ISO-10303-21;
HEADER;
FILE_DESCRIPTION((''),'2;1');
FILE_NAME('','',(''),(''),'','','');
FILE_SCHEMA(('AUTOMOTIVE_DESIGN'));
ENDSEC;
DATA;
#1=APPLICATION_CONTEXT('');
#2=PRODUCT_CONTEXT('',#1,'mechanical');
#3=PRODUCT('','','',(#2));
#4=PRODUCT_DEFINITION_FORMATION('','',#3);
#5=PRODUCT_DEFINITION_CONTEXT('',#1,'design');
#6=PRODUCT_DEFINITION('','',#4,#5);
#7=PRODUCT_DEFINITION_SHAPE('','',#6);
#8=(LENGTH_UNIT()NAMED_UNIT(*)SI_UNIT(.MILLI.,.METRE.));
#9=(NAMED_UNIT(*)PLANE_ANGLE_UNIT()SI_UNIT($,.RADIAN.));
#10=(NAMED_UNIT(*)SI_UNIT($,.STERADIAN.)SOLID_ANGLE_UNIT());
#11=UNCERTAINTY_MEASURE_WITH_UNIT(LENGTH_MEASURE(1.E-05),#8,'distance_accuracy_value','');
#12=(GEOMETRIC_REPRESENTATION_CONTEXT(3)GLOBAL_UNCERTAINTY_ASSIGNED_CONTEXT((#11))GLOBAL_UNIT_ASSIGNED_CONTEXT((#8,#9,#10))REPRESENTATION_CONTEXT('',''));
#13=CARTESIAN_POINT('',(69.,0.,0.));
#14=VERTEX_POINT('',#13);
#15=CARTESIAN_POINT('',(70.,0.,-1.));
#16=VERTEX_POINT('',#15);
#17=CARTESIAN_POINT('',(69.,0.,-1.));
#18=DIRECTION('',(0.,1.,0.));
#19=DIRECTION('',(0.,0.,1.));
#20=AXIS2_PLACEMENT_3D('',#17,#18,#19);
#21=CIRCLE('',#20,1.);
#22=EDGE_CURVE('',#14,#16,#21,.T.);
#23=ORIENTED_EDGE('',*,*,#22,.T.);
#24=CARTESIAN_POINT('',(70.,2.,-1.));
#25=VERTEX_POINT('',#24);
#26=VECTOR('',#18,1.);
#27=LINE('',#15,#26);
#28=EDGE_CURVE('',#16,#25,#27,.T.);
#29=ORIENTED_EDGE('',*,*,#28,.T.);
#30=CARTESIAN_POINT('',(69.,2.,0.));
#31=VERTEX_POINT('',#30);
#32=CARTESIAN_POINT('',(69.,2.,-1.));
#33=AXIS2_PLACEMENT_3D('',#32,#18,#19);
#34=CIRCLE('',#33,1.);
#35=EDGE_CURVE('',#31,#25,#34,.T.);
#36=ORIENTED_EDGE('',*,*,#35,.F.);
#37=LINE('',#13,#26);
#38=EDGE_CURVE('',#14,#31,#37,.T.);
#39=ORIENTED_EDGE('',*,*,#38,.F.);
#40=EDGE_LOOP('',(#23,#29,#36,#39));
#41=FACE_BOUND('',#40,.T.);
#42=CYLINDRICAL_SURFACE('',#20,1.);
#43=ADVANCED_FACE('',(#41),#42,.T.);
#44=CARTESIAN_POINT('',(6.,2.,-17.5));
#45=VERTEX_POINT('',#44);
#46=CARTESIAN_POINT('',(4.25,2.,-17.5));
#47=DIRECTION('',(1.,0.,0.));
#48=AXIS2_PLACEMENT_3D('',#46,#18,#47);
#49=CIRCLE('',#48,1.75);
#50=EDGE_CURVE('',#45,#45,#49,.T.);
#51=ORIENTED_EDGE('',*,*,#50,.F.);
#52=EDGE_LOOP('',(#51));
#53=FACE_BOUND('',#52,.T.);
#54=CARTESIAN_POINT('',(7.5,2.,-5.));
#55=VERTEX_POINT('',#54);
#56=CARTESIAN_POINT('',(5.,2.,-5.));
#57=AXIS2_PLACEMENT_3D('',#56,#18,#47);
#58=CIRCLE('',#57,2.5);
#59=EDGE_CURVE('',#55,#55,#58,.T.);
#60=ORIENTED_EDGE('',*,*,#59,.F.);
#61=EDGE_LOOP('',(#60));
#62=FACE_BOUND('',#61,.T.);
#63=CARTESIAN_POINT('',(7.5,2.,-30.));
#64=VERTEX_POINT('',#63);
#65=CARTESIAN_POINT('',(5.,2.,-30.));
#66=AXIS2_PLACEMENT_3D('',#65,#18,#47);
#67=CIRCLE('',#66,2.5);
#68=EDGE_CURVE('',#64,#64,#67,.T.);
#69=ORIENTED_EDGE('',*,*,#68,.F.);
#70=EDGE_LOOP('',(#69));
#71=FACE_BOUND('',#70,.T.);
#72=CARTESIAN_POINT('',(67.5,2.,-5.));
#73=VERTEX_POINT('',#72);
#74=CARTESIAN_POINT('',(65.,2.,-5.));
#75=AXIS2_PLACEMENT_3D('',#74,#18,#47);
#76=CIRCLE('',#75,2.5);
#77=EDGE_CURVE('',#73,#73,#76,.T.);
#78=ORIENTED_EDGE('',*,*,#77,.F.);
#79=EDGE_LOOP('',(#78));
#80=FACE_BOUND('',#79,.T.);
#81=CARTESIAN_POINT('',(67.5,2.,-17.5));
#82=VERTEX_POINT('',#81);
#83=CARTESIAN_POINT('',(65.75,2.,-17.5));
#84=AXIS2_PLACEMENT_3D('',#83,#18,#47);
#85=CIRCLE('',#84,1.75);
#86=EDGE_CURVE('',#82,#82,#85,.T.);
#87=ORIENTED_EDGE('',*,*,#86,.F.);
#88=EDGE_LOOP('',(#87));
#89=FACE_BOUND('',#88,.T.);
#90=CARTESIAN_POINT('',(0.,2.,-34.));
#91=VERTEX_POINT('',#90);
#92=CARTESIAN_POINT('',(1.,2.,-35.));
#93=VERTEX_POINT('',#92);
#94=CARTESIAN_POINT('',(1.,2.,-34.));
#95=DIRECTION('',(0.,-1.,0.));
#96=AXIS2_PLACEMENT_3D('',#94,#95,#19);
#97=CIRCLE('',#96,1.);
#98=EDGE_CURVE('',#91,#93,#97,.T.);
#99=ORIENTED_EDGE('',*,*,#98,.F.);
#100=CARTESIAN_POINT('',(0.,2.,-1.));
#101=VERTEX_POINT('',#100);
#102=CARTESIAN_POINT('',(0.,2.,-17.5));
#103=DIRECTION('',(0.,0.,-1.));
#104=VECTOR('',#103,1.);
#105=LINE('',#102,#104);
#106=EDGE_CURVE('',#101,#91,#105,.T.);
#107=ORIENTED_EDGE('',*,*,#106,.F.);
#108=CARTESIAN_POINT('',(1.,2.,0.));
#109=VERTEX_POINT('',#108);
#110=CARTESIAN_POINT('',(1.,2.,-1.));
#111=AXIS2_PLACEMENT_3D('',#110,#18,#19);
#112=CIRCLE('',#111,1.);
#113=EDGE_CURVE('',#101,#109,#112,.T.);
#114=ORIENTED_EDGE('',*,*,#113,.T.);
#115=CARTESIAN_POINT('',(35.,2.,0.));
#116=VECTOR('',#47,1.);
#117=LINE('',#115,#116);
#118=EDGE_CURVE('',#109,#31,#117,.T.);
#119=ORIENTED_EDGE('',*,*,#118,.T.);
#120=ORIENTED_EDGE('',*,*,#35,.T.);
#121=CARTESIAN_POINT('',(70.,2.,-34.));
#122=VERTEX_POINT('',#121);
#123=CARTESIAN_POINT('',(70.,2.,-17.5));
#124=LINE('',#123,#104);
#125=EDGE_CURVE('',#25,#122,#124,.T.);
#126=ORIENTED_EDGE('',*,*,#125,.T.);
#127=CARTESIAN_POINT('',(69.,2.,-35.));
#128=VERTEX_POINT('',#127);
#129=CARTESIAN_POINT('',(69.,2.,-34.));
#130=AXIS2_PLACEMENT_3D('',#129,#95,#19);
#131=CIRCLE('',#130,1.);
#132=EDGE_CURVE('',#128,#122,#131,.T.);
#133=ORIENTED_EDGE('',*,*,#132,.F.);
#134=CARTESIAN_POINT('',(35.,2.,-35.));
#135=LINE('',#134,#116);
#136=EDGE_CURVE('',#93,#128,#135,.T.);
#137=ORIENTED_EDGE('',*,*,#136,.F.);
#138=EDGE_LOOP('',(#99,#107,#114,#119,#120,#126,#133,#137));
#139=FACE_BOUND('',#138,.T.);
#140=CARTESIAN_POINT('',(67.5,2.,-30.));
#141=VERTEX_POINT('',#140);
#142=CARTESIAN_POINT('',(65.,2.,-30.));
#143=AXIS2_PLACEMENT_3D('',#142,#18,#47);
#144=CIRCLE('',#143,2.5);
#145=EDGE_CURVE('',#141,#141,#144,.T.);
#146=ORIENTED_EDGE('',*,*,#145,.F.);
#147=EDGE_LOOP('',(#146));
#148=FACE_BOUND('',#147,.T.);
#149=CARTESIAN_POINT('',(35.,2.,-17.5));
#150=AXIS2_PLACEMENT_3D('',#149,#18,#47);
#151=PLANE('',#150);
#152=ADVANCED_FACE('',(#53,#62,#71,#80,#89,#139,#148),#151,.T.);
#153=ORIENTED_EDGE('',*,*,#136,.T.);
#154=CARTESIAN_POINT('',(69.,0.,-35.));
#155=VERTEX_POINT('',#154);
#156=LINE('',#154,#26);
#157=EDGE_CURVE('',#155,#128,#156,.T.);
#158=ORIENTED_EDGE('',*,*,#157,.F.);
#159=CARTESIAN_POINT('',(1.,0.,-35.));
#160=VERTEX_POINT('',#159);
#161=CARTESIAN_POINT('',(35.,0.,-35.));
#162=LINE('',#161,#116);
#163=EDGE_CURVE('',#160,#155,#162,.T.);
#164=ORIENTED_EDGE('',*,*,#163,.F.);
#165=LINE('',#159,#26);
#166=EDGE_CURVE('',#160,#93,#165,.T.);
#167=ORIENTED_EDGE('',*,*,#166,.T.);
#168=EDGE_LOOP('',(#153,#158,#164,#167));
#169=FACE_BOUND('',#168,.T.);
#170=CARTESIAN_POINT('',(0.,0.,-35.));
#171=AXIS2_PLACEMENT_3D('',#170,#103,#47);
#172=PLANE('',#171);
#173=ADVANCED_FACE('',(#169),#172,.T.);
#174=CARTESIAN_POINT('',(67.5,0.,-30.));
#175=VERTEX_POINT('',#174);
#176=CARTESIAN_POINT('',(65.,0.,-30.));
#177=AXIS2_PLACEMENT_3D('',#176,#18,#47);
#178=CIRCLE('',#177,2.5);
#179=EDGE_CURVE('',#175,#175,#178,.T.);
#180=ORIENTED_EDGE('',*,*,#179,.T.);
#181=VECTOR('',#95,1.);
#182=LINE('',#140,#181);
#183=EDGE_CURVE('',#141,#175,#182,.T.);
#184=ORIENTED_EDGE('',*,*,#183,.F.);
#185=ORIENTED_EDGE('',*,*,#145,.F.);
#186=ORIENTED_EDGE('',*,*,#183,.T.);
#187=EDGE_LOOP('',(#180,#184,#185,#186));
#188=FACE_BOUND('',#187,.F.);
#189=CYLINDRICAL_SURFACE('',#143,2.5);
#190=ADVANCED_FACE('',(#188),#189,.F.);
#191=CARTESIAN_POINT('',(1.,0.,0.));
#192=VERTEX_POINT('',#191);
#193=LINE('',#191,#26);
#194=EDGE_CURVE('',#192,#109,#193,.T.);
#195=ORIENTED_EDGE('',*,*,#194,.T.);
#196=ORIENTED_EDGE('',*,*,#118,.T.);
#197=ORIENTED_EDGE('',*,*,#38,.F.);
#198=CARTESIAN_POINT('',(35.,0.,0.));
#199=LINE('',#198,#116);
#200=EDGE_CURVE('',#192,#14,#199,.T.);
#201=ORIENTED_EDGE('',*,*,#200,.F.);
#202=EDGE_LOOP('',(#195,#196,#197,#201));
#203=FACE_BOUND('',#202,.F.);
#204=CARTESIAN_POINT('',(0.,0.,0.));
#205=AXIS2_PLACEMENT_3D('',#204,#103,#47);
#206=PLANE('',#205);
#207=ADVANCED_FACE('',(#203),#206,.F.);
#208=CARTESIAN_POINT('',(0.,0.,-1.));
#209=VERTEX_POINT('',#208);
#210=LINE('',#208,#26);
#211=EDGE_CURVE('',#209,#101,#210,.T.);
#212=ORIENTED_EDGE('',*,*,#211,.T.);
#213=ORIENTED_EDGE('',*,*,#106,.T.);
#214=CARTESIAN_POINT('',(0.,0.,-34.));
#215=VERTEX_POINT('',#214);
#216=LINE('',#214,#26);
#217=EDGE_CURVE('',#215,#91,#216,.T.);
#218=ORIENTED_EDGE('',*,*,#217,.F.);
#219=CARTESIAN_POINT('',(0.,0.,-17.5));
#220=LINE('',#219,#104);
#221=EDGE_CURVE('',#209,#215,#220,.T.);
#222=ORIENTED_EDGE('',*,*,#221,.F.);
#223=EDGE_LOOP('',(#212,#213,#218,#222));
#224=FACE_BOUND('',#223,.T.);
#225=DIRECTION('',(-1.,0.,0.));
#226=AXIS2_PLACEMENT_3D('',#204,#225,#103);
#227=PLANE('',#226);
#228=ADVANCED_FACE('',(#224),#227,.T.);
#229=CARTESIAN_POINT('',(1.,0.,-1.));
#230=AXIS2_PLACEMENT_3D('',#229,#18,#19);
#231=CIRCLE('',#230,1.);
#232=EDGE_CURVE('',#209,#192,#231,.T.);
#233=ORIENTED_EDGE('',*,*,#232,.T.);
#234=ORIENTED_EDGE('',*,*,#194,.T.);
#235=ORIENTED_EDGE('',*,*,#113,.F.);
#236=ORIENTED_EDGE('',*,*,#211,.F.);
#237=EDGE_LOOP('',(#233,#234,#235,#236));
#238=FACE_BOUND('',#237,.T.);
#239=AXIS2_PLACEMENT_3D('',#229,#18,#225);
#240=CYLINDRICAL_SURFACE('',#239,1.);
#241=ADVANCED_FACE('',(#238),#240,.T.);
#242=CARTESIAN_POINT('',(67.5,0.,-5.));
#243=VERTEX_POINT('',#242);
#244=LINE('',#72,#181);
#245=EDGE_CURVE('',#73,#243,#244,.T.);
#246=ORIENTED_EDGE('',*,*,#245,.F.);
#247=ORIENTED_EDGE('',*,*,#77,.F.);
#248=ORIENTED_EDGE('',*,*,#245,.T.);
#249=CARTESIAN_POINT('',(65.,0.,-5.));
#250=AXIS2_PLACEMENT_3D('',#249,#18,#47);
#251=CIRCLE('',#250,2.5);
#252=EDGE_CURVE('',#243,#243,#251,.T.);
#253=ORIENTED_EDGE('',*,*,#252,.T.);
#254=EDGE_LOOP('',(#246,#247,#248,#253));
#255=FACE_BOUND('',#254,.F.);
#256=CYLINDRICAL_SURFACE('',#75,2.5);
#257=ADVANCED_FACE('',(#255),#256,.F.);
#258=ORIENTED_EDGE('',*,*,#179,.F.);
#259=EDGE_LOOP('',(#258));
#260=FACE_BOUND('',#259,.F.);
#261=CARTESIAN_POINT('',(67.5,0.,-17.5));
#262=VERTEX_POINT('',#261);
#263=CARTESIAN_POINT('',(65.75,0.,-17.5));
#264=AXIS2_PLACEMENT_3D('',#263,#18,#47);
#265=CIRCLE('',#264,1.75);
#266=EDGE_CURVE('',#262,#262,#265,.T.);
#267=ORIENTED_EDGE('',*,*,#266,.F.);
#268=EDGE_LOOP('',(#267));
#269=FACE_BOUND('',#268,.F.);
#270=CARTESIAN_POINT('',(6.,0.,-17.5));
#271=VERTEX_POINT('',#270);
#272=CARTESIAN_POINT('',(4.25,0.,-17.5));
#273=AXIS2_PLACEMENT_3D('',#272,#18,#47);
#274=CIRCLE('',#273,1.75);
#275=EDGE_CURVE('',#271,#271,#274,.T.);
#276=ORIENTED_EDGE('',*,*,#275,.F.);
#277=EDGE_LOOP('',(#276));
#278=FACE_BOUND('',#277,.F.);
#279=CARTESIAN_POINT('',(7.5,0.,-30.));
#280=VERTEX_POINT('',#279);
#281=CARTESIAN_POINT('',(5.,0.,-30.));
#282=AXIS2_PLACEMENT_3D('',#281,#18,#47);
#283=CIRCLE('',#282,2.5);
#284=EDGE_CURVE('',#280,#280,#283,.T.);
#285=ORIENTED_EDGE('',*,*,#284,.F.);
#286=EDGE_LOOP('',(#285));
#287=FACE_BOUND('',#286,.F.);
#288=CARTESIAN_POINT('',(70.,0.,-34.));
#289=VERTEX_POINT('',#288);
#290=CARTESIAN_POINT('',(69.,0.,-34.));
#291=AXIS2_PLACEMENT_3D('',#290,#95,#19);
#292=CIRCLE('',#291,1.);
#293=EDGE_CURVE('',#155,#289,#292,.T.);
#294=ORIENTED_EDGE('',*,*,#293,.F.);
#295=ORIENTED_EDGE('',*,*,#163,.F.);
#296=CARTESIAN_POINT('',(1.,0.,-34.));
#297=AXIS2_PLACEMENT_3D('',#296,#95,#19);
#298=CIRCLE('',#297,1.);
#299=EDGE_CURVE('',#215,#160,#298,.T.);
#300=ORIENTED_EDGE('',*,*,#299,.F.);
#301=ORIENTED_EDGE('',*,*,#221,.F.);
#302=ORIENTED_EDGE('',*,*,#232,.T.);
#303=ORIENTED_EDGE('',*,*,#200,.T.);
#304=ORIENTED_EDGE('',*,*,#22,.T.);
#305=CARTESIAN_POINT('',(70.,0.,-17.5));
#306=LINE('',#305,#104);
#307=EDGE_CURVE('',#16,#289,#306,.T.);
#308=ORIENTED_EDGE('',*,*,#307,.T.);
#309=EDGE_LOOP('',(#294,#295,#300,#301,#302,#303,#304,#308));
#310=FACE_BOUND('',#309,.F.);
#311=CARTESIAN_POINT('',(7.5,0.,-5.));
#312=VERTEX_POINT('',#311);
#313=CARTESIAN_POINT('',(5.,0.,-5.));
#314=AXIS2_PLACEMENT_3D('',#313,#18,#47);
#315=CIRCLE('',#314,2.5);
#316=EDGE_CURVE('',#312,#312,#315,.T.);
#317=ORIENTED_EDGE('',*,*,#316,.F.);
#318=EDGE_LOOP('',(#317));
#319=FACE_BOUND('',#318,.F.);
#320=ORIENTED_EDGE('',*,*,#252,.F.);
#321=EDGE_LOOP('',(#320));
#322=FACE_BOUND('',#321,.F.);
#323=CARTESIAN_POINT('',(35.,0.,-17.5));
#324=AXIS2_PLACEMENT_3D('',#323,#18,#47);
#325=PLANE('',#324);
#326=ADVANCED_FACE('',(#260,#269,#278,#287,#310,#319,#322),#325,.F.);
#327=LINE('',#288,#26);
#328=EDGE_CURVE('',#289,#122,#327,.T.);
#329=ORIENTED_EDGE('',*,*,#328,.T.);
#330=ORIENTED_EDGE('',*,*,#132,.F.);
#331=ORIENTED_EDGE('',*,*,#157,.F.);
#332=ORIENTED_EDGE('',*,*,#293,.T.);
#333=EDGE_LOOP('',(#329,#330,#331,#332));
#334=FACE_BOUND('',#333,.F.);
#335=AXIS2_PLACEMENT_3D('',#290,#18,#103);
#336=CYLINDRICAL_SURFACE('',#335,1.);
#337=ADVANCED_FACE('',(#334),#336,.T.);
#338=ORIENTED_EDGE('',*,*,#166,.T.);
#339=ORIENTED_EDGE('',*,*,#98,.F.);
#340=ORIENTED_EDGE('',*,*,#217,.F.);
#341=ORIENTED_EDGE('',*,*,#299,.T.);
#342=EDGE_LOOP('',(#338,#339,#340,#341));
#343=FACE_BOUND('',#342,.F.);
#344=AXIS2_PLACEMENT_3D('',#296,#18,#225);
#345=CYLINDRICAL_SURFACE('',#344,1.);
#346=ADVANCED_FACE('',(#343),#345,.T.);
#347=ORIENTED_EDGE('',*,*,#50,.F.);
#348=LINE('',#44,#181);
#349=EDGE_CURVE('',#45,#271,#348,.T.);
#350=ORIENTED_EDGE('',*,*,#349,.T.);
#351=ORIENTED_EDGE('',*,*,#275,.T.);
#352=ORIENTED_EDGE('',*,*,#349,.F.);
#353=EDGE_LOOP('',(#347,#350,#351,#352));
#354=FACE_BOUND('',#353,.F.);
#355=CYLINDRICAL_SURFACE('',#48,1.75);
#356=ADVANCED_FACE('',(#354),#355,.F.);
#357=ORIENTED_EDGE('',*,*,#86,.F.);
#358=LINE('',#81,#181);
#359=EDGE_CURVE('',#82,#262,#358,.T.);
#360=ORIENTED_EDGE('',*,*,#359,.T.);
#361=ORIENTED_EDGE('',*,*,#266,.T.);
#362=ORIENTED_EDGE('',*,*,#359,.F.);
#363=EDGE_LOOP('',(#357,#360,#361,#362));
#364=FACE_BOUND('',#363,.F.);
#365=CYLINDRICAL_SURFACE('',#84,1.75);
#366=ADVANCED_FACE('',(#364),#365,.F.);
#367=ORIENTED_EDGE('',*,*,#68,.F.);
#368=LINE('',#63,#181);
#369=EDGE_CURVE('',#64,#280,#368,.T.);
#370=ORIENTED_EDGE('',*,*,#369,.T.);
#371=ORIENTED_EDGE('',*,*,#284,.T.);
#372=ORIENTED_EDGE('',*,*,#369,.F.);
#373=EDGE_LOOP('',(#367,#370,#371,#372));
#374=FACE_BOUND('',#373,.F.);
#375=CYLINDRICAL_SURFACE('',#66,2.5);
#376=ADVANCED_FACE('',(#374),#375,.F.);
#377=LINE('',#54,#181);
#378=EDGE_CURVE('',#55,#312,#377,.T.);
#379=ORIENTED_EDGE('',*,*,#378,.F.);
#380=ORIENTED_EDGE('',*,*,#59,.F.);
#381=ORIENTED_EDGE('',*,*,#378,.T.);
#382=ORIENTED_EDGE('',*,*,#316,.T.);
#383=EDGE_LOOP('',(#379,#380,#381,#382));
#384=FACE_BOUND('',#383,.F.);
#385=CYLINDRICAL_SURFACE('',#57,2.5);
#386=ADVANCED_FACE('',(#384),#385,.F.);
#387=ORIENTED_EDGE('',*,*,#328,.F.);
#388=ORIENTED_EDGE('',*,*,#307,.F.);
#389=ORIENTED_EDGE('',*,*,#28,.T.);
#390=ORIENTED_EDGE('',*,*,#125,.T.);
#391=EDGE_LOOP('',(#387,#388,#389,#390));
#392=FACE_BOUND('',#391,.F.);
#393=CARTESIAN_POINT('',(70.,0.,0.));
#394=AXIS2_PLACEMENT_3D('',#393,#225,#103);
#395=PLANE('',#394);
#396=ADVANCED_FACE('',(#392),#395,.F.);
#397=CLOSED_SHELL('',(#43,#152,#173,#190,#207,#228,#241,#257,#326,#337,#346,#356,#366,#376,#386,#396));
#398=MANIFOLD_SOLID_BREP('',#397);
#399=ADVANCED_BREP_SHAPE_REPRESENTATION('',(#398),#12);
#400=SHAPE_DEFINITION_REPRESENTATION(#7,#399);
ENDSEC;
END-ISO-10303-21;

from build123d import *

# Parameters (mm, degrees)
SKETCH1_W               = 70
SKETCH1_H               = 35
BOSS_EXTRUDE1_DEPTH     = 2
SKETCH2_R               = 2.5
SKETCH2_R_2             = 1.75
CUT_EXTRUDE1_DEPTH      = 1
CUT_EXTRUDE1_DEPTH_BACK = 3
FILLET1_R               = 1


with BuildPart() as part:
    # Sketch1 → Boss-Extrude1 (new body)
    with BuildSketch(Plane(origin=(0, 0, 0), x_dir=(1, 0, 0), z_dir=(0, 1, 0))):
        with Locations((35, 17.5)):
            Rectangle(SKETCH1_W, SKETCH1_H)
    extrude(amount=BOSS_EXTRUDE1_DEPTH)

    # Sketch2 → Cut-Extrude1 (cut, two sides)
    with BuildSketch(Plane(origin=(0, 2, 0), x_dir=(1, 0, 0), z_dir=(0, 1, 0))) as cut_extrude1_sk:
        with Locations((5, 30)):
            Circle(SKETCH2_R)
        with Locations((5, 5)):
            Circle(SKETCH2_R)
        with Locations((4.25, 17.5)):
            Circle(SKETCH2_R_2)
        with Locations((65.75, 17.5)):
            Circle(SKETCH2_R_2)
        with Locations((65, 5)):
            Circle(SKETCH2_R)
        with Locations((65, 30)):
            Circle(SKETCH2_R)
    extrude(amount=CUT_EXTRUDE1_DEPTH, mode=Mode.SUBTRACT)
    extrude(cut_extrude1_sk.sketch, amount=-CUT_EXTRUDE1_DEPTH_BACK, mode=Mode.SUBTRACT)

    # Fillet1
    fillet1_edges = [part.edges().sort_by_distance(p)[0] for p in [
        (0, 1, -35),
        (70, 1, -35),
        (70, 1, 0),
        (0, 1, 0),
    ]]
    fillet(fillet1_edges, radius=FILLET1_R)


solid = part.part
